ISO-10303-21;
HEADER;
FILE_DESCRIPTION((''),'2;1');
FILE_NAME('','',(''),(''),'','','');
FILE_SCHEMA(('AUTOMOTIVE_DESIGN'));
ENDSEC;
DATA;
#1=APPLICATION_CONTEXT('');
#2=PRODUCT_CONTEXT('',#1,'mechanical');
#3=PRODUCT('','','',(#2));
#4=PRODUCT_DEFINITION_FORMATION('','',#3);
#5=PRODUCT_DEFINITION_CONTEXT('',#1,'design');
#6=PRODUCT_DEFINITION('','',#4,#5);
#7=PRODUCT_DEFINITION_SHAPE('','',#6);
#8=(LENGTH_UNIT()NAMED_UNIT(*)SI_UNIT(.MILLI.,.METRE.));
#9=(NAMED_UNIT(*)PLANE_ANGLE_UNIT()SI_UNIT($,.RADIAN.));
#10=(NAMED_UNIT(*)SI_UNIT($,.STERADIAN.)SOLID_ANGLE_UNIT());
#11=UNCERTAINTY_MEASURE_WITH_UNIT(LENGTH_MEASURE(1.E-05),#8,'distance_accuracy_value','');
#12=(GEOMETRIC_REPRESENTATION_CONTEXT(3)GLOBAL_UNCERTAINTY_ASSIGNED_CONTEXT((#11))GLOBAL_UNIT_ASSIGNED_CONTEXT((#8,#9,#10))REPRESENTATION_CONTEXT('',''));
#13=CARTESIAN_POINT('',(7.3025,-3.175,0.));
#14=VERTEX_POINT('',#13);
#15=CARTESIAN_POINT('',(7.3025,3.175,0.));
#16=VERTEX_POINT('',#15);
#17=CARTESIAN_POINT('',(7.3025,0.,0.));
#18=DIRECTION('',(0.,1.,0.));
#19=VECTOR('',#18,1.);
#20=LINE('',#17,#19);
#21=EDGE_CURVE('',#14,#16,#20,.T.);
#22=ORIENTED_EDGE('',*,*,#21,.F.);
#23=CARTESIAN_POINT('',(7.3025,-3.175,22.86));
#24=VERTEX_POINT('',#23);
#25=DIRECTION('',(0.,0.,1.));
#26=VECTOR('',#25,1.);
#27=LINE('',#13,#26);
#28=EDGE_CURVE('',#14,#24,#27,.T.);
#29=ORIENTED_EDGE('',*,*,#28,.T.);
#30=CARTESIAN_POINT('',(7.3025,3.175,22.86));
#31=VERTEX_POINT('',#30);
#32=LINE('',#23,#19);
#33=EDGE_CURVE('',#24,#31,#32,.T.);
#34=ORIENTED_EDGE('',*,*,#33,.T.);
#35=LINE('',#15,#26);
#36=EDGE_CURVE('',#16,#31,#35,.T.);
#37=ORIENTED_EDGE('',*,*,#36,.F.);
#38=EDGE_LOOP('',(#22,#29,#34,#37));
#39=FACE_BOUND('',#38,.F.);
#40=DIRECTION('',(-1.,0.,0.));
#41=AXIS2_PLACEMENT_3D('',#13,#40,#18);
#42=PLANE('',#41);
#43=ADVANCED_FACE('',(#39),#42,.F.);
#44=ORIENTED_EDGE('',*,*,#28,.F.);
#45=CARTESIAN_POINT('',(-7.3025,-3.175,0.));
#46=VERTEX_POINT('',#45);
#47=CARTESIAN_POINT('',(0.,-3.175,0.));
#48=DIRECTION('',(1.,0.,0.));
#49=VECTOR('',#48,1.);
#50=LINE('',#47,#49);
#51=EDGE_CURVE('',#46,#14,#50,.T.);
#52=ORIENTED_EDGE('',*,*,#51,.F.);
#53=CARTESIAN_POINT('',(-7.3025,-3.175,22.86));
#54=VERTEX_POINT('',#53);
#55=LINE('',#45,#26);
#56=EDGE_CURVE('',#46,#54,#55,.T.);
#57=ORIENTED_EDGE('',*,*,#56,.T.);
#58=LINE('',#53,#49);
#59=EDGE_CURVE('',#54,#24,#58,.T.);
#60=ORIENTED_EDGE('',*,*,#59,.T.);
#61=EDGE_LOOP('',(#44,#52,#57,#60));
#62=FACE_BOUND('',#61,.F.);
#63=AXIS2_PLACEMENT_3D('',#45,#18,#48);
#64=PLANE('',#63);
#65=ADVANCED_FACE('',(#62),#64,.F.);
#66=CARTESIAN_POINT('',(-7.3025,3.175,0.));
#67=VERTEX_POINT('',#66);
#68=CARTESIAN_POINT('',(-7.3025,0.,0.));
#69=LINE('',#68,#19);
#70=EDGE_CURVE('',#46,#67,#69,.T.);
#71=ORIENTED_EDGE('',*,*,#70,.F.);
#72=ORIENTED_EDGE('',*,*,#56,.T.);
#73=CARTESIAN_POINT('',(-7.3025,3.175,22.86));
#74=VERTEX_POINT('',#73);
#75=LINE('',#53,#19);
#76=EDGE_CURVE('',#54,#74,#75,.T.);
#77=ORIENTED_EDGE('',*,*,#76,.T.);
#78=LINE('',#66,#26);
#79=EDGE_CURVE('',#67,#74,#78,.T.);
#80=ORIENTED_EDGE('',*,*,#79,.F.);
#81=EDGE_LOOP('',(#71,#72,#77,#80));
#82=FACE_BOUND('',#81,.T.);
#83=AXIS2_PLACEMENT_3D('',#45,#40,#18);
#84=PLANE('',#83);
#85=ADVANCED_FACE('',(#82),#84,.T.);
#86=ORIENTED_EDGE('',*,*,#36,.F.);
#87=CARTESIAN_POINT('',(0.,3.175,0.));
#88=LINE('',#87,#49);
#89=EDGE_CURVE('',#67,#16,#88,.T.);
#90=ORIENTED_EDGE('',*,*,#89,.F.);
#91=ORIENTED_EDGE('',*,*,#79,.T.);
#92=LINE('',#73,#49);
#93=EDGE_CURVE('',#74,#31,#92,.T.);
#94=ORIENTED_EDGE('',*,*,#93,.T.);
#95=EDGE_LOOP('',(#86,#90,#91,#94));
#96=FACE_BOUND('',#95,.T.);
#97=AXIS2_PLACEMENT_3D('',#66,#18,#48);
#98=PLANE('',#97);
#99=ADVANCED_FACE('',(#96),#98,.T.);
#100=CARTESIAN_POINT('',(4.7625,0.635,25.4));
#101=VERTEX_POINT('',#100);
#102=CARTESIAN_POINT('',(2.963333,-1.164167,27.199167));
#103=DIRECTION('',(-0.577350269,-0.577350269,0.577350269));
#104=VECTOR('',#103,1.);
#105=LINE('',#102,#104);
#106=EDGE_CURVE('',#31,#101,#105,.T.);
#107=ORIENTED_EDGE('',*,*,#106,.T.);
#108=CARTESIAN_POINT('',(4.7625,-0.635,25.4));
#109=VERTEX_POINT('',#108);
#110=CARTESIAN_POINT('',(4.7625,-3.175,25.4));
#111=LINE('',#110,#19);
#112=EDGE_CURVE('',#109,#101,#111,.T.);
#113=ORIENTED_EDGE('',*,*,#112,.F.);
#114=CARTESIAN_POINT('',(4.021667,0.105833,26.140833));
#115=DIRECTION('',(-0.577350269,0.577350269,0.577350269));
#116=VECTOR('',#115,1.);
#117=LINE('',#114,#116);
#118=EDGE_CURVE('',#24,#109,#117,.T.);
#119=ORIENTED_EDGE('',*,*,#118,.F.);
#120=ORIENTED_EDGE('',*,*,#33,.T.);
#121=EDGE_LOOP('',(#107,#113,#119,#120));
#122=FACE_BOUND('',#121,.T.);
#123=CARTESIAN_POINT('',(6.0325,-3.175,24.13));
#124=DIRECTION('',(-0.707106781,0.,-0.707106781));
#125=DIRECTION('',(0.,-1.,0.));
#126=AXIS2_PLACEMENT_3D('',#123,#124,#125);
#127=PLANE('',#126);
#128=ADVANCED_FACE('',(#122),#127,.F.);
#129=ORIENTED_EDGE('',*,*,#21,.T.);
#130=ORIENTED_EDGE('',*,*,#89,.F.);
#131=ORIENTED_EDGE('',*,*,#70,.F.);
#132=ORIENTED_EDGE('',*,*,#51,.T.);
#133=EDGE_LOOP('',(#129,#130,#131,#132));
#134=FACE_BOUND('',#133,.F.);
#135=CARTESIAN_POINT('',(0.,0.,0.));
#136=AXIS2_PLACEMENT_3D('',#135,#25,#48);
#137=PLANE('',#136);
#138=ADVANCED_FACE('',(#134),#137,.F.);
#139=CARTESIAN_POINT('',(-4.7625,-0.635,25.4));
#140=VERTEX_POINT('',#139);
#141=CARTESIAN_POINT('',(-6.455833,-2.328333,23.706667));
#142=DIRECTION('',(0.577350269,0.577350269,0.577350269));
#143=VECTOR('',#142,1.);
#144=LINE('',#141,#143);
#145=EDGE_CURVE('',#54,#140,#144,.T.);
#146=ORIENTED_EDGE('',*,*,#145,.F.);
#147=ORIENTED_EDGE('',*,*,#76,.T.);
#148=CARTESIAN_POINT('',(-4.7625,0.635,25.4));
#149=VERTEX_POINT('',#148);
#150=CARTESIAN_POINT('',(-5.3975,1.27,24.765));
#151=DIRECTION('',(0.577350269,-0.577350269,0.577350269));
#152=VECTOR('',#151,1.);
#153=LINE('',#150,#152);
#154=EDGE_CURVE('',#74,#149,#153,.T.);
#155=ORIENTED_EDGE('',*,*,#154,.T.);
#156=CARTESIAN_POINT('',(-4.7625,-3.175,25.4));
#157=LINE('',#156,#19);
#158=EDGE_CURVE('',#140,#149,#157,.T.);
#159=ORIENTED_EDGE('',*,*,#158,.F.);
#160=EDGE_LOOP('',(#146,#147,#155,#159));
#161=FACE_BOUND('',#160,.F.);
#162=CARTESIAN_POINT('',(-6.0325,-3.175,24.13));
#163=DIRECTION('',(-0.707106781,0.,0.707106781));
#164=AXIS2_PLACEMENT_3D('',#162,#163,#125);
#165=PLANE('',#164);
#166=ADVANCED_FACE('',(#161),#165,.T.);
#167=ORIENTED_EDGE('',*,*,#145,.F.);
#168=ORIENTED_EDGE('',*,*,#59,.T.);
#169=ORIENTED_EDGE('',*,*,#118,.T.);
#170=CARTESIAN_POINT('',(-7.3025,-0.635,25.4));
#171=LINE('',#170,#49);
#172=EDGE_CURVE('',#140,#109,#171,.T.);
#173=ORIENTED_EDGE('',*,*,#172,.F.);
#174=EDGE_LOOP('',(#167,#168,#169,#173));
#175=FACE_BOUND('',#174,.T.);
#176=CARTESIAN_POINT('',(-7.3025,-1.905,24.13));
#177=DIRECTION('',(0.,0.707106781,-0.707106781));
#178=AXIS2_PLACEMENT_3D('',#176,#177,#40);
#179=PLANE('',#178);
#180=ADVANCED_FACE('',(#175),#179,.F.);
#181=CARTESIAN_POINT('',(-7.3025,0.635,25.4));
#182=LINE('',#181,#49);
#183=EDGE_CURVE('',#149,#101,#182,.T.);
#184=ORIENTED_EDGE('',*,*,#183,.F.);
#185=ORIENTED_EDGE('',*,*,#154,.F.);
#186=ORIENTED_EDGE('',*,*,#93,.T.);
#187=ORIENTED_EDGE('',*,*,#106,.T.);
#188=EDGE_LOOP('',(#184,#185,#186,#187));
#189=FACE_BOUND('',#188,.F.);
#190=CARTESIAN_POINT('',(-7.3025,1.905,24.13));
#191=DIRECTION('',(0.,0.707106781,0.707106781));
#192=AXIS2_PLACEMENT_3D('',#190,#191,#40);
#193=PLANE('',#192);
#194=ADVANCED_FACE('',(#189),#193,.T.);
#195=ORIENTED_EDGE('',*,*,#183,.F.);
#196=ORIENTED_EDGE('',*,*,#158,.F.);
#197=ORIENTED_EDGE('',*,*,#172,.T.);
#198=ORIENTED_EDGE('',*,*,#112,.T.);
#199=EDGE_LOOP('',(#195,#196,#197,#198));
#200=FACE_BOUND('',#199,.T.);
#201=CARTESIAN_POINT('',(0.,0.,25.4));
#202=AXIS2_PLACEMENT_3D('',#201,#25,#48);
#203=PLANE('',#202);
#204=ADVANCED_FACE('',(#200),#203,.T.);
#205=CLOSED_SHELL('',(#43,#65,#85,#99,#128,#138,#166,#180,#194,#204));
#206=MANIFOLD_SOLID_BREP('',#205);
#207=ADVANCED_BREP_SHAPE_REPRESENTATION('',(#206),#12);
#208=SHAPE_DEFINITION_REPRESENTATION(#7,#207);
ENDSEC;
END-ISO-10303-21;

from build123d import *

# Parameters (mm, degrees)
F0_W     = 14.605
F0_H     = 6.35
F1_DEPTH = 25.4
F2_SIZE  = 2.54


with BuildPart() as f1:
    # F0 (on Top) → F1 (new body)
    with BuildSketch(Plane.XY):
        Rectangle(F0_W, F0_H)
    extrude(amount=F1_DEPTH)

    # F2
    f2_edges = [f1.edges().sort_by_distance(p)[0] for p in [
        (0, -3.175, 25.4),
        (0, 3.175, 25.4),
        (-7.3025, 0, 25.4),
        (7.3025, 0, 25.4),
    ]]
    chamfer(f2_edges, length=F2_SIZE)


solid = f1.part
